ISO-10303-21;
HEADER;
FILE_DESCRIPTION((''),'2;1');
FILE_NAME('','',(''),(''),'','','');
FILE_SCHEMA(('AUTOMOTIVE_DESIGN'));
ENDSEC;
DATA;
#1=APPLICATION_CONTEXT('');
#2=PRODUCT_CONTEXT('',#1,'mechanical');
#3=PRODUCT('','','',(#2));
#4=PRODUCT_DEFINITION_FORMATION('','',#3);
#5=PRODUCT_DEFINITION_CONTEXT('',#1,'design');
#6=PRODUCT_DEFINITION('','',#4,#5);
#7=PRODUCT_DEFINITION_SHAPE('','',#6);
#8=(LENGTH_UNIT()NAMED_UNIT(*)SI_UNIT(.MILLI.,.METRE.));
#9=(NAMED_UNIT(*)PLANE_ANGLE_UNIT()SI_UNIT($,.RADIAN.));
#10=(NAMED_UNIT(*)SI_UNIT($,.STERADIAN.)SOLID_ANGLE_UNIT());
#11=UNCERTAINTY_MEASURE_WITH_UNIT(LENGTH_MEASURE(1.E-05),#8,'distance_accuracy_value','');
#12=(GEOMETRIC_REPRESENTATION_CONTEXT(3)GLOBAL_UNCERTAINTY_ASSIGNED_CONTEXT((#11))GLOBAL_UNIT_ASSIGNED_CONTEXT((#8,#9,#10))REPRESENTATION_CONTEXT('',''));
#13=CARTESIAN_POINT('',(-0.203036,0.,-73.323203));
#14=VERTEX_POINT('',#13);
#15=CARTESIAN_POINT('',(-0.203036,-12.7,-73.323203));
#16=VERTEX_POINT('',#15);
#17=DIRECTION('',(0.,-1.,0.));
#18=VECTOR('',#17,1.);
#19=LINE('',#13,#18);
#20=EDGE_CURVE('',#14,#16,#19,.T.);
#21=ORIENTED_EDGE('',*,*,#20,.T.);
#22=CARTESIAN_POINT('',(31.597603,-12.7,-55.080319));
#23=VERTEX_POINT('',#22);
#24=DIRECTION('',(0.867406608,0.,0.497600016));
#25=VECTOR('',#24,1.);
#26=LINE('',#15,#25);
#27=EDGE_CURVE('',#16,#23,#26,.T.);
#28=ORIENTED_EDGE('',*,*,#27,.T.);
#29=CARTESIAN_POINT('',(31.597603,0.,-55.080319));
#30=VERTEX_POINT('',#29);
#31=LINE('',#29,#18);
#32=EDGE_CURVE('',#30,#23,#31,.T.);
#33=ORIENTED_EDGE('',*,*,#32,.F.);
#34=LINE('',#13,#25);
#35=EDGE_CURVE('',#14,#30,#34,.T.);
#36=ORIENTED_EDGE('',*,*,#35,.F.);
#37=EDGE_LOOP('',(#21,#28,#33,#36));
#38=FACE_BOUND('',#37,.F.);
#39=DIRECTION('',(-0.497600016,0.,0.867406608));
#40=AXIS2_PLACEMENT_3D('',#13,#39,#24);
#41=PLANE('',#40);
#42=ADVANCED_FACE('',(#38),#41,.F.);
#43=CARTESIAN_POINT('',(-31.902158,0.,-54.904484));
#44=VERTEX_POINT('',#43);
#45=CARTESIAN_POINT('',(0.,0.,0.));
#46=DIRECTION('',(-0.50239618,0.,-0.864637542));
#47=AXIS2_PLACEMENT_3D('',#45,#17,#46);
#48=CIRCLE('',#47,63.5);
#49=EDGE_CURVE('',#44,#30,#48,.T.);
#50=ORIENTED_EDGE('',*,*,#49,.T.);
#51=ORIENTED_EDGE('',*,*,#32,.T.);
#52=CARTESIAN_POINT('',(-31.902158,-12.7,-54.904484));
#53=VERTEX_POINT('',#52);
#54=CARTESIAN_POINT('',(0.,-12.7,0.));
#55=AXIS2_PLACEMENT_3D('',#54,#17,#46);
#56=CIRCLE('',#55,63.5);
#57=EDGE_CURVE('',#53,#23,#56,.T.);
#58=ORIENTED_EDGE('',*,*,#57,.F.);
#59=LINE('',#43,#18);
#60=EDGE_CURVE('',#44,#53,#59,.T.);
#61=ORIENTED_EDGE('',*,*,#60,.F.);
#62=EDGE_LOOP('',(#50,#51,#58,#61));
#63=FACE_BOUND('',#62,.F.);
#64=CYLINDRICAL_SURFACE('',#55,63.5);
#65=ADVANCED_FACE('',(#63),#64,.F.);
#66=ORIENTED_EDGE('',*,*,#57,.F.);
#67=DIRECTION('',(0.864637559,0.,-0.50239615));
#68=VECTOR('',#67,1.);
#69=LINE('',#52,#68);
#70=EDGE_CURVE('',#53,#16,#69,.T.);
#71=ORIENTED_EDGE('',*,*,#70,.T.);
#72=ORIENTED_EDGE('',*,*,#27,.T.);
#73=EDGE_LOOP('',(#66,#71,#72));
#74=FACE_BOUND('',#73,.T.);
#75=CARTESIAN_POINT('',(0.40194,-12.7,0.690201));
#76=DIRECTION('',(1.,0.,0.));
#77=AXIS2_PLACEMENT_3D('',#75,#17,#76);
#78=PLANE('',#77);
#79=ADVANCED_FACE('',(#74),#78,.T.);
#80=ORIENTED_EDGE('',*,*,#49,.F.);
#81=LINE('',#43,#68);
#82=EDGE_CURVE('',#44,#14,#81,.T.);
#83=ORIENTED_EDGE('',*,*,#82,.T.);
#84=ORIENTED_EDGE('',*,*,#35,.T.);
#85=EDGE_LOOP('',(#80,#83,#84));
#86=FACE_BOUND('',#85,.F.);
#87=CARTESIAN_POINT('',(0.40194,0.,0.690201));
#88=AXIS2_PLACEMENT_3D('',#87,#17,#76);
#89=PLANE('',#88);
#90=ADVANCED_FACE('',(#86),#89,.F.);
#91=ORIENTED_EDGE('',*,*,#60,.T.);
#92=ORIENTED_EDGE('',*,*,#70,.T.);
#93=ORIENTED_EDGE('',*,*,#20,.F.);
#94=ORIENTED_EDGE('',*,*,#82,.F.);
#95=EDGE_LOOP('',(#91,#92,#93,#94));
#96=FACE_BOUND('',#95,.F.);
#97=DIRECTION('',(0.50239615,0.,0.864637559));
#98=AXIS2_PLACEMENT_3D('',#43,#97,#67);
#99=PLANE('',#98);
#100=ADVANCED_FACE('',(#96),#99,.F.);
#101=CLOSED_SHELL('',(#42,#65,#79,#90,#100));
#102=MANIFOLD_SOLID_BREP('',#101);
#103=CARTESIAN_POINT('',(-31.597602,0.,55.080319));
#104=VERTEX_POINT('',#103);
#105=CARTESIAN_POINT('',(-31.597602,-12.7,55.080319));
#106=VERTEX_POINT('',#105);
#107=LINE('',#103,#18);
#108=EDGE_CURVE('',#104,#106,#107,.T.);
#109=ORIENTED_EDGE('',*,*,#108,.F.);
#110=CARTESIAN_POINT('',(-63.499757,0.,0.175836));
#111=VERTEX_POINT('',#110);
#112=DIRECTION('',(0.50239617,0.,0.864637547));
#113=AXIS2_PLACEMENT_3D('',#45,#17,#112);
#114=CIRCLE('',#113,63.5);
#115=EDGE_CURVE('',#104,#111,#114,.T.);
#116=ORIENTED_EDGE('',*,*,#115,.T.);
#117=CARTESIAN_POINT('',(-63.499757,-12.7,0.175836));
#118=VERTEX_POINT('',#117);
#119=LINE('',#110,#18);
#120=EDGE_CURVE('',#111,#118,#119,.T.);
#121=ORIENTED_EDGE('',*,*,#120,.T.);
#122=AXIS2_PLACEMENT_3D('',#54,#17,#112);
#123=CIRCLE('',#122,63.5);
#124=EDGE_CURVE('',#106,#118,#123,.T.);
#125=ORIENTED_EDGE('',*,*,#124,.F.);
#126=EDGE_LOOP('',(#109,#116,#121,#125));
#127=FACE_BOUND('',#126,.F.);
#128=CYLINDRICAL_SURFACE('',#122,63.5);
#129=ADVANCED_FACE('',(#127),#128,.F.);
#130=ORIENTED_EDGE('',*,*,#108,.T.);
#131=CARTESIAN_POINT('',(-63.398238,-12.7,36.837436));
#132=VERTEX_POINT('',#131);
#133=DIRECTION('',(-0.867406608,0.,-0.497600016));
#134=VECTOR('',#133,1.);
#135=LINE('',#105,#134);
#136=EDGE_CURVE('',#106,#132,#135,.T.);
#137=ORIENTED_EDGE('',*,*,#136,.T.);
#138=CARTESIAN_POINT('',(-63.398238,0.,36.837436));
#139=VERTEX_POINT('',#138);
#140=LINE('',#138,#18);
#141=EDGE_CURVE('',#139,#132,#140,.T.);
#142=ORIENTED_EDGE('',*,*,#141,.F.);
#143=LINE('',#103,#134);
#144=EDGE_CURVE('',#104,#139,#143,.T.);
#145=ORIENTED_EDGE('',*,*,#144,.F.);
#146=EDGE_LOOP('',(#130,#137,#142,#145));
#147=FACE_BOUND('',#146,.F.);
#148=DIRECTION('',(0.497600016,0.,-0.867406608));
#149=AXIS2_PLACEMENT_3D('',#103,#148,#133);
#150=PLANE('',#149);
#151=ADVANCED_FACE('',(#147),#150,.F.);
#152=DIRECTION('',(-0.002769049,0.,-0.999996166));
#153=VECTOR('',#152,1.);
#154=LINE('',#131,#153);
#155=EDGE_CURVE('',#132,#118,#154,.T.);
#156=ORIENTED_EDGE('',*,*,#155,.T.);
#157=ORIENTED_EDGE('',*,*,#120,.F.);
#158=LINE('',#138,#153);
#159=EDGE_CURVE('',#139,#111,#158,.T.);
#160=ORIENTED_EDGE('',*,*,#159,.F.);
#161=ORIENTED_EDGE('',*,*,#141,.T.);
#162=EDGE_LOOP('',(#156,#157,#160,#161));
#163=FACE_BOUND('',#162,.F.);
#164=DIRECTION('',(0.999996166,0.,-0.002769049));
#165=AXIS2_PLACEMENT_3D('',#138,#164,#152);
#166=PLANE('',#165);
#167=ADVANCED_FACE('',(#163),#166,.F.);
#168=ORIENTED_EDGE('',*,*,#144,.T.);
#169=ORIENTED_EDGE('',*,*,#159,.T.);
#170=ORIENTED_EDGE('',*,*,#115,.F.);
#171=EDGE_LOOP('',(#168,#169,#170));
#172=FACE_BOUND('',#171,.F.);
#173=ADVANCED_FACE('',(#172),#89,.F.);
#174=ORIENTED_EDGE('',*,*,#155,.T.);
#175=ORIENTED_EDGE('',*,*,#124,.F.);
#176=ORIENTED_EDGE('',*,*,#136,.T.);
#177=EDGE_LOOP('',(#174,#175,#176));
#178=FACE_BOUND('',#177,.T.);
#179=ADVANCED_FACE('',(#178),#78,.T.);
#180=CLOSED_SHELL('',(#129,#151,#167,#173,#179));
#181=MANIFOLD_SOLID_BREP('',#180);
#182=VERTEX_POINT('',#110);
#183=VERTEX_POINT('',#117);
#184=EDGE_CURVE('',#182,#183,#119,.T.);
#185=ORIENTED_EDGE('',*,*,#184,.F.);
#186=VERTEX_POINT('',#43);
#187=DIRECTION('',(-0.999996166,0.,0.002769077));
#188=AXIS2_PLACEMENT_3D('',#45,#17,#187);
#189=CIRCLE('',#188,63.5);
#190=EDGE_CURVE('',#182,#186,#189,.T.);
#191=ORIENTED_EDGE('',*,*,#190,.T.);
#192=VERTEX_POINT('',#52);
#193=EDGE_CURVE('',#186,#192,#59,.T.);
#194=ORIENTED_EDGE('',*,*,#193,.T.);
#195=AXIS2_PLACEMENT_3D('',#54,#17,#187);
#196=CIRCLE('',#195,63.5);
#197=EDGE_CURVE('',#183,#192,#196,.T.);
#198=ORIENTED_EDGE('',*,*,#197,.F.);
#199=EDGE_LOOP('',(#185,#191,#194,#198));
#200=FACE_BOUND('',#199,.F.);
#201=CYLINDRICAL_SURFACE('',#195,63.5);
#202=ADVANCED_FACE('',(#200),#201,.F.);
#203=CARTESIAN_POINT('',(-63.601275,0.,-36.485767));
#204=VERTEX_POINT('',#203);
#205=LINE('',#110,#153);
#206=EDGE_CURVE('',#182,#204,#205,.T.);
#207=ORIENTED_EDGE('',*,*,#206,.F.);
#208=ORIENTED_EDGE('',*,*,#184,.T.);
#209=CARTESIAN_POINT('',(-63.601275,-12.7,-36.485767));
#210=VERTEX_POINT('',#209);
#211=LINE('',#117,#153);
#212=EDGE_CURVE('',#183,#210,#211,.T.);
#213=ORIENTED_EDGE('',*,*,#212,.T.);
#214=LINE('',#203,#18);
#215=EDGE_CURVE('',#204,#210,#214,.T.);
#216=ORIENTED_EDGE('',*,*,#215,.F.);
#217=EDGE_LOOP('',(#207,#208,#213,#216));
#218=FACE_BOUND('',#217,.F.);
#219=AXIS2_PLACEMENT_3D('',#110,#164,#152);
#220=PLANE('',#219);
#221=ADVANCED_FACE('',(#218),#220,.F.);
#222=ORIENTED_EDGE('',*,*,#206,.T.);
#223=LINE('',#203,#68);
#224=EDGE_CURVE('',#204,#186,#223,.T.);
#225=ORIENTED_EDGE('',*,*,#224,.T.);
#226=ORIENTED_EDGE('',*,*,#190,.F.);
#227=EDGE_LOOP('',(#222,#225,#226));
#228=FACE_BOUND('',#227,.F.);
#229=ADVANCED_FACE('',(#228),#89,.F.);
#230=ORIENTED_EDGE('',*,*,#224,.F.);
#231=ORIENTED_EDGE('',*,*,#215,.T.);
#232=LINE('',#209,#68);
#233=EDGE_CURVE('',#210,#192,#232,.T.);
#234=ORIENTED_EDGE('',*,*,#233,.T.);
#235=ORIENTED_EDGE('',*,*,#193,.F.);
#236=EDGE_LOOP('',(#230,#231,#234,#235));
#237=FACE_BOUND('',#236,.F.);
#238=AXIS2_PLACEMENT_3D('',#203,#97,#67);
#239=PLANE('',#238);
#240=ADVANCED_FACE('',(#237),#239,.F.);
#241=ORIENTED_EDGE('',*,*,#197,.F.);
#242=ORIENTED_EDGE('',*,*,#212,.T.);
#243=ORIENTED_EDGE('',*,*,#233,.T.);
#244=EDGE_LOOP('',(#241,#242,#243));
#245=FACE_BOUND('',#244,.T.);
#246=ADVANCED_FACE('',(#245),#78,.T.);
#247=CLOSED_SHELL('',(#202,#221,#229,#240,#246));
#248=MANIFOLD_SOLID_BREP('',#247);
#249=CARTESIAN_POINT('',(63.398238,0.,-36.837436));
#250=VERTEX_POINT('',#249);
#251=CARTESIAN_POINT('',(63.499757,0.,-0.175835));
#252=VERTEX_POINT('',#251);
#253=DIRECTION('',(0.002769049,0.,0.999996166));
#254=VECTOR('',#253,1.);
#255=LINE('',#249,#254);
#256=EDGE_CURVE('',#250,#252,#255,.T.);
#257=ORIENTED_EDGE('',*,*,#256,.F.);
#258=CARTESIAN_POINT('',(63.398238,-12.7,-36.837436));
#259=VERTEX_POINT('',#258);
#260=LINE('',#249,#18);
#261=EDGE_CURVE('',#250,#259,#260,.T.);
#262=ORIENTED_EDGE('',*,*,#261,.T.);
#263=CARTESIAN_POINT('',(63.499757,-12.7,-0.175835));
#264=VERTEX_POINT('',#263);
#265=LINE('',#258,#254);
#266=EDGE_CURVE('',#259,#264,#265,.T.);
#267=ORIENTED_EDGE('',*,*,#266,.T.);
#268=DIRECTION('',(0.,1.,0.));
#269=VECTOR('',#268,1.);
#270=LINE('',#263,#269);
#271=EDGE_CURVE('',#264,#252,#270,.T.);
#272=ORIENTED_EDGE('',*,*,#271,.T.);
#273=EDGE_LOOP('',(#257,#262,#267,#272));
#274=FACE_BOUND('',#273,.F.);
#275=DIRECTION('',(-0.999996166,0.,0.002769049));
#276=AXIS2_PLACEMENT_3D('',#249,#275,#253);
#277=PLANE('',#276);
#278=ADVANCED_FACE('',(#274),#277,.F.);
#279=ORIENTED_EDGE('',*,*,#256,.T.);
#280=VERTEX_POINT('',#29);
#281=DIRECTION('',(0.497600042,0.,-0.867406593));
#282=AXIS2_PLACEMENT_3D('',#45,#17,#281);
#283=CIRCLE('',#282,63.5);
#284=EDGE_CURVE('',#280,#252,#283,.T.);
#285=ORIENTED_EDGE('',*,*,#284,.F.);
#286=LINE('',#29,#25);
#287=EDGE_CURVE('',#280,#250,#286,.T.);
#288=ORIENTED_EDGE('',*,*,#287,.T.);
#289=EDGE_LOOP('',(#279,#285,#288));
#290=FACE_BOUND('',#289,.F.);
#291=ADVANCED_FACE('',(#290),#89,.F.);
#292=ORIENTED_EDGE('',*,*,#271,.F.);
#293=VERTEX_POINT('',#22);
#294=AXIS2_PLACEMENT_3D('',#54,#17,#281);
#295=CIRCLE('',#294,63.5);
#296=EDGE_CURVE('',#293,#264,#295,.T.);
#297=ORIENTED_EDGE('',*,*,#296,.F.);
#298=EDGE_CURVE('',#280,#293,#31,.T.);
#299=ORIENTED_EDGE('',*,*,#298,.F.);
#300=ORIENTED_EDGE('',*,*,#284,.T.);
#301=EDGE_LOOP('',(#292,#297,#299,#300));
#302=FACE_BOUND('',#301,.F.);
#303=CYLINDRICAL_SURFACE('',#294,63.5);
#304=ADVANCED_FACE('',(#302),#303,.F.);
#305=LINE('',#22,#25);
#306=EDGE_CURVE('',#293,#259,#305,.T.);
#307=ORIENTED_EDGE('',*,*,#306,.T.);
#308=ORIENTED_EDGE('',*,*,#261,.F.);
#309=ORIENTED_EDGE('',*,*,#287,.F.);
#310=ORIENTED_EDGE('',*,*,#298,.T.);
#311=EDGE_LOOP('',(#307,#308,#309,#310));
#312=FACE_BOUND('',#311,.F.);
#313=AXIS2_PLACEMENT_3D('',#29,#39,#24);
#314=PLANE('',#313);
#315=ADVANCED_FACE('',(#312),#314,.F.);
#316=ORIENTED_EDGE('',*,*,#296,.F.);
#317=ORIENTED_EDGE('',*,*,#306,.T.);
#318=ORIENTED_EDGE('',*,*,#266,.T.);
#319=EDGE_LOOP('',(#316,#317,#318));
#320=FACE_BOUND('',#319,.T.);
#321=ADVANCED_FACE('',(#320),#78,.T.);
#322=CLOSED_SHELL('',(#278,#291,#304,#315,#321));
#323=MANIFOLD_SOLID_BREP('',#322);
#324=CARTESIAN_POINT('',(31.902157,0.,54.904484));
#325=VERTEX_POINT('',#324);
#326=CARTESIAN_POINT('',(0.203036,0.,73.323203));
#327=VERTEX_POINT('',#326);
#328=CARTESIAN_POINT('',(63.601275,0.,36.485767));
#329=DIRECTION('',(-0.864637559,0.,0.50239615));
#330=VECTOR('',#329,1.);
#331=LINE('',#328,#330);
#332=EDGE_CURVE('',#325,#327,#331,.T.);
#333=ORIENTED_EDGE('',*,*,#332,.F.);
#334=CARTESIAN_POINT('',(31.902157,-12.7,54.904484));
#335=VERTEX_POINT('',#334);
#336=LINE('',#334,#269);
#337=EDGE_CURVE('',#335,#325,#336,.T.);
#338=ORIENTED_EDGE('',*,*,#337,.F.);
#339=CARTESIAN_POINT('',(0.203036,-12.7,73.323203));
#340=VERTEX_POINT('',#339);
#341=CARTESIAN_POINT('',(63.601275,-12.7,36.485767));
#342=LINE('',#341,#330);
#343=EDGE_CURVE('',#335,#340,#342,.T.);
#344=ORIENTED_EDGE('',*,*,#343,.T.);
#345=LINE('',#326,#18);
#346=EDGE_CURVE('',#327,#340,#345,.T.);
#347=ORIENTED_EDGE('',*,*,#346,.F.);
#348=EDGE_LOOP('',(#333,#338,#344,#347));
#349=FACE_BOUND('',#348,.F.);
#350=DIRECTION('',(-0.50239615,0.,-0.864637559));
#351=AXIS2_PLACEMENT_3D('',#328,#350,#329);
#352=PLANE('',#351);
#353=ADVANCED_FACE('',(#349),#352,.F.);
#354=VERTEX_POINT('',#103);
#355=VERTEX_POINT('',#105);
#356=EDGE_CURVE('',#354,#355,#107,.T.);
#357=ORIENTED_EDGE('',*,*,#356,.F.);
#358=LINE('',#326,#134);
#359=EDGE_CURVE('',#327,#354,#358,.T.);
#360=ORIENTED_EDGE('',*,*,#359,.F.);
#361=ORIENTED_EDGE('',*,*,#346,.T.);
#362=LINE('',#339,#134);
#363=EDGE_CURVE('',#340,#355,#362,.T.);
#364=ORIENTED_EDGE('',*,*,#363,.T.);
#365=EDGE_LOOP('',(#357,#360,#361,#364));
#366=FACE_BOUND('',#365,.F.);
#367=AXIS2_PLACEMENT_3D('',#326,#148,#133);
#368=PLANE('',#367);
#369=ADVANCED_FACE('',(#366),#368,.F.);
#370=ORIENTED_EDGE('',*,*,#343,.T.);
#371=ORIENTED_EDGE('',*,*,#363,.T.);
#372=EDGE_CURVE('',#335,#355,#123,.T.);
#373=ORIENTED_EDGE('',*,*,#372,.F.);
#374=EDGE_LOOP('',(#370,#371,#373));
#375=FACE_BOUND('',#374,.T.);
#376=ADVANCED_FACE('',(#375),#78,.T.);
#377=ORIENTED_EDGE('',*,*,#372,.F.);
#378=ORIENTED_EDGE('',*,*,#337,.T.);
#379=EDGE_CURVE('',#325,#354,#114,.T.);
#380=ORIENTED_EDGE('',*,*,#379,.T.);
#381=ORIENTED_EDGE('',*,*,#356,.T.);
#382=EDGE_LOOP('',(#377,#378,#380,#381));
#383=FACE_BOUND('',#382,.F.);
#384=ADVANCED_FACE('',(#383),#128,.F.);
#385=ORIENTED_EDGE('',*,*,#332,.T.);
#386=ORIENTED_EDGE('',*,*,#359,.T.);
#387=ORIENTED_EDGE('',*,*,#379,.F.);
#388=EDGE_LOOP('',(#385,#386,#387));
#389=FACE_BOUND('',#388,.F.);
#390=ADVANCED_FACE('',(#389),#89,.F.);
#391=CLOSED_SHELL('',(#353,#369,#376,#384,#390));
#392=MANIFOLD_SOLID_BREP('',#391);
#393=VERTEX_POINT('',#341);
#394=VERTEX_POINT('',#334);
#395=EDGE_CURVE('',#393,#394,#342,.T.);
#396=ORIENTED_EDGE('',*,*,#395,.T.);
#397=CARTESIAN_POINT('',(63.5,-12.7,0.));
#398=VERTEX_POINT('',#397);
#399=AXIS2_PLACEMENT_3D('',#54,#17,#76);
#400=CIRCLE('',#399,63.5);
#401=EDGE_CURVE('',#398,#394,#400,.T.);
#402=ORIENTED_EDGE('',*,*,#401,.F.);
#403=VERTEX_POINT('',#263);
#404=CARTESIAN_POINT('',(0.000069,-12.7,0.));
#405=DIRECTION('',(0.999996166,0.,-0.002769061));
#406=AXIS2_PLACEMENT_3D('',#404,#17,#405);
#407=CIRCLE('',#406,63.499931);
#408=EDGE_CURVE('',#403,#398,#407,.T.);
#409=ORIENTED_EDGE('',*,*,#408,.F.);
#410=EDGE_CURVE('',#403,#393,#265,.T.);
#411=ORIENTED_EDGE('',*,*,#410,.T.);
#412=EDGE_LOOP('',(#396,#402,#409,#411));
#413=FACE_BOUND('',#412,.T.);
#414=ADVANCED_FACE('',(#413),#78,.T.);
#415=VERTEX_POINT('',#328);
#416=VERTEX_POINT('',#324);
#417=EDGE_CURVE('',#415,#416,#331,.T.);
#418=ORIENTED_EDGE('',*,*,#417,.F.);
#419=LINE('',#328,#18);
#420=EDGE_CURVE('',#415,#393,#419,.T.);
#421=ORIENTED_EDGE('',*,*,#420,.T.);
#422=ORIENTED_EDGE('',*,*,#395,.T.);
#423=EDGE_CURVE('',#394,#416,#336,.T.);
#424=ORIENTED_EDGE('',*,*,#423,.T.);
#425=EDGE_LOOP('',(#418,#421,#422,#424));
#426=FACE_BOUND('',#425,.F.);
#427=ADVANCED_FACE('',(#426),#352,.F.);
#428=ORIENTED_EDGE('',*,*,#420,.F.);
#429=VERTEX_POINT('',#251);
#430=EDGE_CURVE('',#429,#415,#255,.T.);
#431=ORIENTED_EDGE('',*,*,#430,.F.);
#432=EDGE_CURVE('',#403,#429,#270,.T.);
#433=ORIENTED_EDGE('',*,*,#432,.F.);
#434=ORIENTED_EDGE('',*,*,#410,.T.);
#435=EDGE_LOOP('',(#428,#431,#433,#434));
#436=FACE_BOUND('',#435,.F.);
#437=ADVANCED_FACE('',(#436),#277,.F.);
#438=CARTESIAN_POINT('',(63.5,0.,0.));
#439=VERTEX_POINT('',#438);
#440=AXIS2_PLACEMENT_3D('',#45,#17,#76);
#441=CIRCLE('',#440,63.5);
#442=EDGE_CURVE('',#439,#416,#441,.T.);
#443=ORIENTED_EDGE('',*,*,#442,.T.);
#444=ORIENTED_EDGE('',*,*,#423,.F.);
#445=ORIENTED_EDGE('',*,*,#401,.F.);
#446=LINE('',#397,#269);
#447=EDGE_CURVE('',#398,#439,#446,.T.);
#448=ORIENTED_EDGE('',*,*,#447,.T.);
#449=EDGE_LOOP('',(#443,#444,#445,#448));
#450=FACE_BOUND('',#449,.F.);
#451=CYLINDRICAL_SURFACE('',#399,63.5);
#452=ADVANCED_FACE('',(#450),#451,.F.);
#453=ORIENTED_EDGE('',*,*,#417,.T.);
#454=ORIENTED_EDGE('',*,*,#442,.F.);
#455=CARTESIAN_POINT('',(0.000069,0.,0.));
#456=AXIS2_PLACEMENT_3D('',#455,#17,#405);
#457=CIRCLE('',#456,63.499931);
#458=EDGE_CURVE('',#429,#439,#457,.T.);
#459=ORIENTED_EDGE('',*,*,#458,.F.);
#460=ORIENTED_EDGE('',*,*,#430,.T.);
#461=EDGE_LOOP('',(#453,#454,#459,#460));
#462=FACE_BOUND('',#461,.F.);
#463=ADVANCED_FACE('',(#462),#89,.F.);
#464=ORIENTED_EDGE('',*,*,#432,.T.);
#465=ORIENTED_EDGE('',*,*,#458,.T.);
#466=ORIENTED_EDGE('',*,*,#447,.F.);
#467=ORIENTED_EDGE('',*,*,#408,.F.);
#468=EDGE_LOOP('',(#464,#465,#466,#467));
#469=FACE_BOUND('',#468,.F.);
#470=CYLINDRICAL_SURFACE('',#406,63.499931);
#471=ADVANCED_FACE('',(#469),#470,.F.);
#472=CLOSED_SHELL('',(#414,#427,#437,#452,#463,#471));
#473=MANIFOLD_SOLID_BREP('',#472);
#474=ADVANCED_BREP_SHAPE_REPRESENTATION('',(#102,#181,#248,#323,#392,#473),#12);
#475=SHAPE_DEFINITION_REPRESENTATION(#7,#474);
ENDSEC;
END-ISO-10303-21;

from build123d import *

# Parameters (mm, degrees)
F1_DEPTH = 12.7
F3_DEPTH = 12.701


with BuildPart() as f1:
    # F0 (on Front) → F1 (new body)
    with BuildSketch(Plane.XZ):
        with BuildLine():
            ThreePointArc((63.4997565514, -0.1758349042), (63.4999391378, -0.0879175364), (63.5, 0))
            ThreePointArc((63.5, 0), (55.0365195574, 31.6738301285), (31.9021570076, 54.9044841362))
            ThreePointArc((31.9021570076, 54.9044841362), (0.1758346974, 63.499756552), (-31.5976023825, 55.0803188415))
            ThreePointArc((-31.5976023825, 55.0803188415), (-54.9044849704, 31.9021555719), (-63.4997565476, 0.1758362923))
            ThreePointArc((-63.4997565476, 0.1758362923), (-55.0803206031, -31.5975993117), (-31.9021575002, -54.90448385))
            ThreePointArc((-31.9021575002, -54.90448385), (-0.1758348007, -63.4997565517), (31.5976026975, -55.0803186608))
            ThreePointArc((31.5976026975, -55.0803186608), (54.9044854103, -31.9021548148), (63.4997565514, -0.1758349042))
        make_face()
        with BuildLine():
            ThreePointArc((31.9021570076, 54.9044841362), (55.0365195574, 31.6738301285), (63.5, 0))
            ThreePointArc((63.5, 0), (63.4999391378, -0.0879175364), (63.4997565514, -0.1758349042))
            Line((63.4997565514, -0.1758349042), (63.6012747272, 36.4857669017))
            Line((63.6012747272, 36.4857669017), (31.9021570076, 54.9044841362))
        make_face()
        with BuildLine():
            ThreePointArc((-31.5976023825, 55.0803188415), (0.1758346974, 63.499756552), (31.9021570076, 54.9044841362))
            Line((31.9021570076, 54.9044841362), (0.2030363502, 73.3232030777))
            Line((0.2030363502, 73.3232030777), (-31.5976023825, 55.0803188415))
        make_face()
        with BuildLine():
            Line((63.3982383771, -36.837436176), (63.4997565514, -0.1758349042))
            ThreePointArc((63.4997565514, -0.1758349042), (54.9044854103, -31.9021548148), (31.5976026975, -55.0803186608))
            Line((31.5976026975, -55.0803186608), (63.3982383771, -36.837436176))
        make_face()
        with BuildLine():
            ThreePointArc((-63.4997565476, 0.1758362923), (-54.9044849704, 31.9021555719), (-31.5976023825, 55.0803188415))
            Line((-31.5976023825, 55.0803188415), (-63.3982383771, 36.837436176))
            Line((-63.3982383771, 36.837436176), (-63.4997565476, 0.1758362923))
        make_face()
        with BuildLine():
            Line((-0.2030363502, -73.3232030777), (31.5976026975, -55.0803186608))
            ThreePointArc((31.5976026975, -55.0803186608), (-0.1758348007, -63.4997565517), (-31.9021575002, -54.90448385))
            Line((-31.9021575002, -54.90448385), (-0.2030363502, -73.3232030777))
        make_face()
        with BuildLine():
            ThreePointArc((-31.9021575002, -54.90448385), (-55.0803206031, -31.5975993117), (-63.4997565476, 0.1758362923))
            Line((-63.4997565476, 0.1758362923), (-63.6012747272, -36.4857669017))
            Line((-63.6012747272, -36.4857669017), (-31.9021575002, -54.90448385))
        make_face()
    extrude(amount=F1_DEPTH)

    # F2 (on face) → F3 (cut, through all)
    with BuildSketch(Plane.XZ.offset(12.7)):
        with BuildLine():
            ThreePointArc((63.4997565503, -0.175835282), (63.4999391376, -0.0879177253), (63.5, 0))
            ThreePointArc((63.5, 0), (55.0365195007, 31.673830227), (31.902156811, 54.9044842505))
            ThreePointArc((31.902156811, 54.9044842505), (0.1758341853, 63.4997565534), (-31.5976030736, 55.080318445))
            ThreePointArc((-31.5976030736, 55.080318445), (-54.9044851385, 31.9021552826), (-63.4997565472, 0.1758364198))
            ThreePointArc((-63.4997565472, 0.1758364198), (-55.0803206077, -31.5975993036), (-31.9021574061, -54.9044839046))
            ThreePointArc((-31.9021574061, -54.9044839046), (-0.1758347458, -63.4997565518), (31.5976026984, -55.0803186602))
            ThreePointArc((31.5976026984, -55.0803186602), (54.9044853157, -31.9021549777), (63.4997565503, -0.175835282))
        make_face()
    extrude(amount=-F3_DEPTH, mode=Mode.SUBTRACT)


solid = f1.part
